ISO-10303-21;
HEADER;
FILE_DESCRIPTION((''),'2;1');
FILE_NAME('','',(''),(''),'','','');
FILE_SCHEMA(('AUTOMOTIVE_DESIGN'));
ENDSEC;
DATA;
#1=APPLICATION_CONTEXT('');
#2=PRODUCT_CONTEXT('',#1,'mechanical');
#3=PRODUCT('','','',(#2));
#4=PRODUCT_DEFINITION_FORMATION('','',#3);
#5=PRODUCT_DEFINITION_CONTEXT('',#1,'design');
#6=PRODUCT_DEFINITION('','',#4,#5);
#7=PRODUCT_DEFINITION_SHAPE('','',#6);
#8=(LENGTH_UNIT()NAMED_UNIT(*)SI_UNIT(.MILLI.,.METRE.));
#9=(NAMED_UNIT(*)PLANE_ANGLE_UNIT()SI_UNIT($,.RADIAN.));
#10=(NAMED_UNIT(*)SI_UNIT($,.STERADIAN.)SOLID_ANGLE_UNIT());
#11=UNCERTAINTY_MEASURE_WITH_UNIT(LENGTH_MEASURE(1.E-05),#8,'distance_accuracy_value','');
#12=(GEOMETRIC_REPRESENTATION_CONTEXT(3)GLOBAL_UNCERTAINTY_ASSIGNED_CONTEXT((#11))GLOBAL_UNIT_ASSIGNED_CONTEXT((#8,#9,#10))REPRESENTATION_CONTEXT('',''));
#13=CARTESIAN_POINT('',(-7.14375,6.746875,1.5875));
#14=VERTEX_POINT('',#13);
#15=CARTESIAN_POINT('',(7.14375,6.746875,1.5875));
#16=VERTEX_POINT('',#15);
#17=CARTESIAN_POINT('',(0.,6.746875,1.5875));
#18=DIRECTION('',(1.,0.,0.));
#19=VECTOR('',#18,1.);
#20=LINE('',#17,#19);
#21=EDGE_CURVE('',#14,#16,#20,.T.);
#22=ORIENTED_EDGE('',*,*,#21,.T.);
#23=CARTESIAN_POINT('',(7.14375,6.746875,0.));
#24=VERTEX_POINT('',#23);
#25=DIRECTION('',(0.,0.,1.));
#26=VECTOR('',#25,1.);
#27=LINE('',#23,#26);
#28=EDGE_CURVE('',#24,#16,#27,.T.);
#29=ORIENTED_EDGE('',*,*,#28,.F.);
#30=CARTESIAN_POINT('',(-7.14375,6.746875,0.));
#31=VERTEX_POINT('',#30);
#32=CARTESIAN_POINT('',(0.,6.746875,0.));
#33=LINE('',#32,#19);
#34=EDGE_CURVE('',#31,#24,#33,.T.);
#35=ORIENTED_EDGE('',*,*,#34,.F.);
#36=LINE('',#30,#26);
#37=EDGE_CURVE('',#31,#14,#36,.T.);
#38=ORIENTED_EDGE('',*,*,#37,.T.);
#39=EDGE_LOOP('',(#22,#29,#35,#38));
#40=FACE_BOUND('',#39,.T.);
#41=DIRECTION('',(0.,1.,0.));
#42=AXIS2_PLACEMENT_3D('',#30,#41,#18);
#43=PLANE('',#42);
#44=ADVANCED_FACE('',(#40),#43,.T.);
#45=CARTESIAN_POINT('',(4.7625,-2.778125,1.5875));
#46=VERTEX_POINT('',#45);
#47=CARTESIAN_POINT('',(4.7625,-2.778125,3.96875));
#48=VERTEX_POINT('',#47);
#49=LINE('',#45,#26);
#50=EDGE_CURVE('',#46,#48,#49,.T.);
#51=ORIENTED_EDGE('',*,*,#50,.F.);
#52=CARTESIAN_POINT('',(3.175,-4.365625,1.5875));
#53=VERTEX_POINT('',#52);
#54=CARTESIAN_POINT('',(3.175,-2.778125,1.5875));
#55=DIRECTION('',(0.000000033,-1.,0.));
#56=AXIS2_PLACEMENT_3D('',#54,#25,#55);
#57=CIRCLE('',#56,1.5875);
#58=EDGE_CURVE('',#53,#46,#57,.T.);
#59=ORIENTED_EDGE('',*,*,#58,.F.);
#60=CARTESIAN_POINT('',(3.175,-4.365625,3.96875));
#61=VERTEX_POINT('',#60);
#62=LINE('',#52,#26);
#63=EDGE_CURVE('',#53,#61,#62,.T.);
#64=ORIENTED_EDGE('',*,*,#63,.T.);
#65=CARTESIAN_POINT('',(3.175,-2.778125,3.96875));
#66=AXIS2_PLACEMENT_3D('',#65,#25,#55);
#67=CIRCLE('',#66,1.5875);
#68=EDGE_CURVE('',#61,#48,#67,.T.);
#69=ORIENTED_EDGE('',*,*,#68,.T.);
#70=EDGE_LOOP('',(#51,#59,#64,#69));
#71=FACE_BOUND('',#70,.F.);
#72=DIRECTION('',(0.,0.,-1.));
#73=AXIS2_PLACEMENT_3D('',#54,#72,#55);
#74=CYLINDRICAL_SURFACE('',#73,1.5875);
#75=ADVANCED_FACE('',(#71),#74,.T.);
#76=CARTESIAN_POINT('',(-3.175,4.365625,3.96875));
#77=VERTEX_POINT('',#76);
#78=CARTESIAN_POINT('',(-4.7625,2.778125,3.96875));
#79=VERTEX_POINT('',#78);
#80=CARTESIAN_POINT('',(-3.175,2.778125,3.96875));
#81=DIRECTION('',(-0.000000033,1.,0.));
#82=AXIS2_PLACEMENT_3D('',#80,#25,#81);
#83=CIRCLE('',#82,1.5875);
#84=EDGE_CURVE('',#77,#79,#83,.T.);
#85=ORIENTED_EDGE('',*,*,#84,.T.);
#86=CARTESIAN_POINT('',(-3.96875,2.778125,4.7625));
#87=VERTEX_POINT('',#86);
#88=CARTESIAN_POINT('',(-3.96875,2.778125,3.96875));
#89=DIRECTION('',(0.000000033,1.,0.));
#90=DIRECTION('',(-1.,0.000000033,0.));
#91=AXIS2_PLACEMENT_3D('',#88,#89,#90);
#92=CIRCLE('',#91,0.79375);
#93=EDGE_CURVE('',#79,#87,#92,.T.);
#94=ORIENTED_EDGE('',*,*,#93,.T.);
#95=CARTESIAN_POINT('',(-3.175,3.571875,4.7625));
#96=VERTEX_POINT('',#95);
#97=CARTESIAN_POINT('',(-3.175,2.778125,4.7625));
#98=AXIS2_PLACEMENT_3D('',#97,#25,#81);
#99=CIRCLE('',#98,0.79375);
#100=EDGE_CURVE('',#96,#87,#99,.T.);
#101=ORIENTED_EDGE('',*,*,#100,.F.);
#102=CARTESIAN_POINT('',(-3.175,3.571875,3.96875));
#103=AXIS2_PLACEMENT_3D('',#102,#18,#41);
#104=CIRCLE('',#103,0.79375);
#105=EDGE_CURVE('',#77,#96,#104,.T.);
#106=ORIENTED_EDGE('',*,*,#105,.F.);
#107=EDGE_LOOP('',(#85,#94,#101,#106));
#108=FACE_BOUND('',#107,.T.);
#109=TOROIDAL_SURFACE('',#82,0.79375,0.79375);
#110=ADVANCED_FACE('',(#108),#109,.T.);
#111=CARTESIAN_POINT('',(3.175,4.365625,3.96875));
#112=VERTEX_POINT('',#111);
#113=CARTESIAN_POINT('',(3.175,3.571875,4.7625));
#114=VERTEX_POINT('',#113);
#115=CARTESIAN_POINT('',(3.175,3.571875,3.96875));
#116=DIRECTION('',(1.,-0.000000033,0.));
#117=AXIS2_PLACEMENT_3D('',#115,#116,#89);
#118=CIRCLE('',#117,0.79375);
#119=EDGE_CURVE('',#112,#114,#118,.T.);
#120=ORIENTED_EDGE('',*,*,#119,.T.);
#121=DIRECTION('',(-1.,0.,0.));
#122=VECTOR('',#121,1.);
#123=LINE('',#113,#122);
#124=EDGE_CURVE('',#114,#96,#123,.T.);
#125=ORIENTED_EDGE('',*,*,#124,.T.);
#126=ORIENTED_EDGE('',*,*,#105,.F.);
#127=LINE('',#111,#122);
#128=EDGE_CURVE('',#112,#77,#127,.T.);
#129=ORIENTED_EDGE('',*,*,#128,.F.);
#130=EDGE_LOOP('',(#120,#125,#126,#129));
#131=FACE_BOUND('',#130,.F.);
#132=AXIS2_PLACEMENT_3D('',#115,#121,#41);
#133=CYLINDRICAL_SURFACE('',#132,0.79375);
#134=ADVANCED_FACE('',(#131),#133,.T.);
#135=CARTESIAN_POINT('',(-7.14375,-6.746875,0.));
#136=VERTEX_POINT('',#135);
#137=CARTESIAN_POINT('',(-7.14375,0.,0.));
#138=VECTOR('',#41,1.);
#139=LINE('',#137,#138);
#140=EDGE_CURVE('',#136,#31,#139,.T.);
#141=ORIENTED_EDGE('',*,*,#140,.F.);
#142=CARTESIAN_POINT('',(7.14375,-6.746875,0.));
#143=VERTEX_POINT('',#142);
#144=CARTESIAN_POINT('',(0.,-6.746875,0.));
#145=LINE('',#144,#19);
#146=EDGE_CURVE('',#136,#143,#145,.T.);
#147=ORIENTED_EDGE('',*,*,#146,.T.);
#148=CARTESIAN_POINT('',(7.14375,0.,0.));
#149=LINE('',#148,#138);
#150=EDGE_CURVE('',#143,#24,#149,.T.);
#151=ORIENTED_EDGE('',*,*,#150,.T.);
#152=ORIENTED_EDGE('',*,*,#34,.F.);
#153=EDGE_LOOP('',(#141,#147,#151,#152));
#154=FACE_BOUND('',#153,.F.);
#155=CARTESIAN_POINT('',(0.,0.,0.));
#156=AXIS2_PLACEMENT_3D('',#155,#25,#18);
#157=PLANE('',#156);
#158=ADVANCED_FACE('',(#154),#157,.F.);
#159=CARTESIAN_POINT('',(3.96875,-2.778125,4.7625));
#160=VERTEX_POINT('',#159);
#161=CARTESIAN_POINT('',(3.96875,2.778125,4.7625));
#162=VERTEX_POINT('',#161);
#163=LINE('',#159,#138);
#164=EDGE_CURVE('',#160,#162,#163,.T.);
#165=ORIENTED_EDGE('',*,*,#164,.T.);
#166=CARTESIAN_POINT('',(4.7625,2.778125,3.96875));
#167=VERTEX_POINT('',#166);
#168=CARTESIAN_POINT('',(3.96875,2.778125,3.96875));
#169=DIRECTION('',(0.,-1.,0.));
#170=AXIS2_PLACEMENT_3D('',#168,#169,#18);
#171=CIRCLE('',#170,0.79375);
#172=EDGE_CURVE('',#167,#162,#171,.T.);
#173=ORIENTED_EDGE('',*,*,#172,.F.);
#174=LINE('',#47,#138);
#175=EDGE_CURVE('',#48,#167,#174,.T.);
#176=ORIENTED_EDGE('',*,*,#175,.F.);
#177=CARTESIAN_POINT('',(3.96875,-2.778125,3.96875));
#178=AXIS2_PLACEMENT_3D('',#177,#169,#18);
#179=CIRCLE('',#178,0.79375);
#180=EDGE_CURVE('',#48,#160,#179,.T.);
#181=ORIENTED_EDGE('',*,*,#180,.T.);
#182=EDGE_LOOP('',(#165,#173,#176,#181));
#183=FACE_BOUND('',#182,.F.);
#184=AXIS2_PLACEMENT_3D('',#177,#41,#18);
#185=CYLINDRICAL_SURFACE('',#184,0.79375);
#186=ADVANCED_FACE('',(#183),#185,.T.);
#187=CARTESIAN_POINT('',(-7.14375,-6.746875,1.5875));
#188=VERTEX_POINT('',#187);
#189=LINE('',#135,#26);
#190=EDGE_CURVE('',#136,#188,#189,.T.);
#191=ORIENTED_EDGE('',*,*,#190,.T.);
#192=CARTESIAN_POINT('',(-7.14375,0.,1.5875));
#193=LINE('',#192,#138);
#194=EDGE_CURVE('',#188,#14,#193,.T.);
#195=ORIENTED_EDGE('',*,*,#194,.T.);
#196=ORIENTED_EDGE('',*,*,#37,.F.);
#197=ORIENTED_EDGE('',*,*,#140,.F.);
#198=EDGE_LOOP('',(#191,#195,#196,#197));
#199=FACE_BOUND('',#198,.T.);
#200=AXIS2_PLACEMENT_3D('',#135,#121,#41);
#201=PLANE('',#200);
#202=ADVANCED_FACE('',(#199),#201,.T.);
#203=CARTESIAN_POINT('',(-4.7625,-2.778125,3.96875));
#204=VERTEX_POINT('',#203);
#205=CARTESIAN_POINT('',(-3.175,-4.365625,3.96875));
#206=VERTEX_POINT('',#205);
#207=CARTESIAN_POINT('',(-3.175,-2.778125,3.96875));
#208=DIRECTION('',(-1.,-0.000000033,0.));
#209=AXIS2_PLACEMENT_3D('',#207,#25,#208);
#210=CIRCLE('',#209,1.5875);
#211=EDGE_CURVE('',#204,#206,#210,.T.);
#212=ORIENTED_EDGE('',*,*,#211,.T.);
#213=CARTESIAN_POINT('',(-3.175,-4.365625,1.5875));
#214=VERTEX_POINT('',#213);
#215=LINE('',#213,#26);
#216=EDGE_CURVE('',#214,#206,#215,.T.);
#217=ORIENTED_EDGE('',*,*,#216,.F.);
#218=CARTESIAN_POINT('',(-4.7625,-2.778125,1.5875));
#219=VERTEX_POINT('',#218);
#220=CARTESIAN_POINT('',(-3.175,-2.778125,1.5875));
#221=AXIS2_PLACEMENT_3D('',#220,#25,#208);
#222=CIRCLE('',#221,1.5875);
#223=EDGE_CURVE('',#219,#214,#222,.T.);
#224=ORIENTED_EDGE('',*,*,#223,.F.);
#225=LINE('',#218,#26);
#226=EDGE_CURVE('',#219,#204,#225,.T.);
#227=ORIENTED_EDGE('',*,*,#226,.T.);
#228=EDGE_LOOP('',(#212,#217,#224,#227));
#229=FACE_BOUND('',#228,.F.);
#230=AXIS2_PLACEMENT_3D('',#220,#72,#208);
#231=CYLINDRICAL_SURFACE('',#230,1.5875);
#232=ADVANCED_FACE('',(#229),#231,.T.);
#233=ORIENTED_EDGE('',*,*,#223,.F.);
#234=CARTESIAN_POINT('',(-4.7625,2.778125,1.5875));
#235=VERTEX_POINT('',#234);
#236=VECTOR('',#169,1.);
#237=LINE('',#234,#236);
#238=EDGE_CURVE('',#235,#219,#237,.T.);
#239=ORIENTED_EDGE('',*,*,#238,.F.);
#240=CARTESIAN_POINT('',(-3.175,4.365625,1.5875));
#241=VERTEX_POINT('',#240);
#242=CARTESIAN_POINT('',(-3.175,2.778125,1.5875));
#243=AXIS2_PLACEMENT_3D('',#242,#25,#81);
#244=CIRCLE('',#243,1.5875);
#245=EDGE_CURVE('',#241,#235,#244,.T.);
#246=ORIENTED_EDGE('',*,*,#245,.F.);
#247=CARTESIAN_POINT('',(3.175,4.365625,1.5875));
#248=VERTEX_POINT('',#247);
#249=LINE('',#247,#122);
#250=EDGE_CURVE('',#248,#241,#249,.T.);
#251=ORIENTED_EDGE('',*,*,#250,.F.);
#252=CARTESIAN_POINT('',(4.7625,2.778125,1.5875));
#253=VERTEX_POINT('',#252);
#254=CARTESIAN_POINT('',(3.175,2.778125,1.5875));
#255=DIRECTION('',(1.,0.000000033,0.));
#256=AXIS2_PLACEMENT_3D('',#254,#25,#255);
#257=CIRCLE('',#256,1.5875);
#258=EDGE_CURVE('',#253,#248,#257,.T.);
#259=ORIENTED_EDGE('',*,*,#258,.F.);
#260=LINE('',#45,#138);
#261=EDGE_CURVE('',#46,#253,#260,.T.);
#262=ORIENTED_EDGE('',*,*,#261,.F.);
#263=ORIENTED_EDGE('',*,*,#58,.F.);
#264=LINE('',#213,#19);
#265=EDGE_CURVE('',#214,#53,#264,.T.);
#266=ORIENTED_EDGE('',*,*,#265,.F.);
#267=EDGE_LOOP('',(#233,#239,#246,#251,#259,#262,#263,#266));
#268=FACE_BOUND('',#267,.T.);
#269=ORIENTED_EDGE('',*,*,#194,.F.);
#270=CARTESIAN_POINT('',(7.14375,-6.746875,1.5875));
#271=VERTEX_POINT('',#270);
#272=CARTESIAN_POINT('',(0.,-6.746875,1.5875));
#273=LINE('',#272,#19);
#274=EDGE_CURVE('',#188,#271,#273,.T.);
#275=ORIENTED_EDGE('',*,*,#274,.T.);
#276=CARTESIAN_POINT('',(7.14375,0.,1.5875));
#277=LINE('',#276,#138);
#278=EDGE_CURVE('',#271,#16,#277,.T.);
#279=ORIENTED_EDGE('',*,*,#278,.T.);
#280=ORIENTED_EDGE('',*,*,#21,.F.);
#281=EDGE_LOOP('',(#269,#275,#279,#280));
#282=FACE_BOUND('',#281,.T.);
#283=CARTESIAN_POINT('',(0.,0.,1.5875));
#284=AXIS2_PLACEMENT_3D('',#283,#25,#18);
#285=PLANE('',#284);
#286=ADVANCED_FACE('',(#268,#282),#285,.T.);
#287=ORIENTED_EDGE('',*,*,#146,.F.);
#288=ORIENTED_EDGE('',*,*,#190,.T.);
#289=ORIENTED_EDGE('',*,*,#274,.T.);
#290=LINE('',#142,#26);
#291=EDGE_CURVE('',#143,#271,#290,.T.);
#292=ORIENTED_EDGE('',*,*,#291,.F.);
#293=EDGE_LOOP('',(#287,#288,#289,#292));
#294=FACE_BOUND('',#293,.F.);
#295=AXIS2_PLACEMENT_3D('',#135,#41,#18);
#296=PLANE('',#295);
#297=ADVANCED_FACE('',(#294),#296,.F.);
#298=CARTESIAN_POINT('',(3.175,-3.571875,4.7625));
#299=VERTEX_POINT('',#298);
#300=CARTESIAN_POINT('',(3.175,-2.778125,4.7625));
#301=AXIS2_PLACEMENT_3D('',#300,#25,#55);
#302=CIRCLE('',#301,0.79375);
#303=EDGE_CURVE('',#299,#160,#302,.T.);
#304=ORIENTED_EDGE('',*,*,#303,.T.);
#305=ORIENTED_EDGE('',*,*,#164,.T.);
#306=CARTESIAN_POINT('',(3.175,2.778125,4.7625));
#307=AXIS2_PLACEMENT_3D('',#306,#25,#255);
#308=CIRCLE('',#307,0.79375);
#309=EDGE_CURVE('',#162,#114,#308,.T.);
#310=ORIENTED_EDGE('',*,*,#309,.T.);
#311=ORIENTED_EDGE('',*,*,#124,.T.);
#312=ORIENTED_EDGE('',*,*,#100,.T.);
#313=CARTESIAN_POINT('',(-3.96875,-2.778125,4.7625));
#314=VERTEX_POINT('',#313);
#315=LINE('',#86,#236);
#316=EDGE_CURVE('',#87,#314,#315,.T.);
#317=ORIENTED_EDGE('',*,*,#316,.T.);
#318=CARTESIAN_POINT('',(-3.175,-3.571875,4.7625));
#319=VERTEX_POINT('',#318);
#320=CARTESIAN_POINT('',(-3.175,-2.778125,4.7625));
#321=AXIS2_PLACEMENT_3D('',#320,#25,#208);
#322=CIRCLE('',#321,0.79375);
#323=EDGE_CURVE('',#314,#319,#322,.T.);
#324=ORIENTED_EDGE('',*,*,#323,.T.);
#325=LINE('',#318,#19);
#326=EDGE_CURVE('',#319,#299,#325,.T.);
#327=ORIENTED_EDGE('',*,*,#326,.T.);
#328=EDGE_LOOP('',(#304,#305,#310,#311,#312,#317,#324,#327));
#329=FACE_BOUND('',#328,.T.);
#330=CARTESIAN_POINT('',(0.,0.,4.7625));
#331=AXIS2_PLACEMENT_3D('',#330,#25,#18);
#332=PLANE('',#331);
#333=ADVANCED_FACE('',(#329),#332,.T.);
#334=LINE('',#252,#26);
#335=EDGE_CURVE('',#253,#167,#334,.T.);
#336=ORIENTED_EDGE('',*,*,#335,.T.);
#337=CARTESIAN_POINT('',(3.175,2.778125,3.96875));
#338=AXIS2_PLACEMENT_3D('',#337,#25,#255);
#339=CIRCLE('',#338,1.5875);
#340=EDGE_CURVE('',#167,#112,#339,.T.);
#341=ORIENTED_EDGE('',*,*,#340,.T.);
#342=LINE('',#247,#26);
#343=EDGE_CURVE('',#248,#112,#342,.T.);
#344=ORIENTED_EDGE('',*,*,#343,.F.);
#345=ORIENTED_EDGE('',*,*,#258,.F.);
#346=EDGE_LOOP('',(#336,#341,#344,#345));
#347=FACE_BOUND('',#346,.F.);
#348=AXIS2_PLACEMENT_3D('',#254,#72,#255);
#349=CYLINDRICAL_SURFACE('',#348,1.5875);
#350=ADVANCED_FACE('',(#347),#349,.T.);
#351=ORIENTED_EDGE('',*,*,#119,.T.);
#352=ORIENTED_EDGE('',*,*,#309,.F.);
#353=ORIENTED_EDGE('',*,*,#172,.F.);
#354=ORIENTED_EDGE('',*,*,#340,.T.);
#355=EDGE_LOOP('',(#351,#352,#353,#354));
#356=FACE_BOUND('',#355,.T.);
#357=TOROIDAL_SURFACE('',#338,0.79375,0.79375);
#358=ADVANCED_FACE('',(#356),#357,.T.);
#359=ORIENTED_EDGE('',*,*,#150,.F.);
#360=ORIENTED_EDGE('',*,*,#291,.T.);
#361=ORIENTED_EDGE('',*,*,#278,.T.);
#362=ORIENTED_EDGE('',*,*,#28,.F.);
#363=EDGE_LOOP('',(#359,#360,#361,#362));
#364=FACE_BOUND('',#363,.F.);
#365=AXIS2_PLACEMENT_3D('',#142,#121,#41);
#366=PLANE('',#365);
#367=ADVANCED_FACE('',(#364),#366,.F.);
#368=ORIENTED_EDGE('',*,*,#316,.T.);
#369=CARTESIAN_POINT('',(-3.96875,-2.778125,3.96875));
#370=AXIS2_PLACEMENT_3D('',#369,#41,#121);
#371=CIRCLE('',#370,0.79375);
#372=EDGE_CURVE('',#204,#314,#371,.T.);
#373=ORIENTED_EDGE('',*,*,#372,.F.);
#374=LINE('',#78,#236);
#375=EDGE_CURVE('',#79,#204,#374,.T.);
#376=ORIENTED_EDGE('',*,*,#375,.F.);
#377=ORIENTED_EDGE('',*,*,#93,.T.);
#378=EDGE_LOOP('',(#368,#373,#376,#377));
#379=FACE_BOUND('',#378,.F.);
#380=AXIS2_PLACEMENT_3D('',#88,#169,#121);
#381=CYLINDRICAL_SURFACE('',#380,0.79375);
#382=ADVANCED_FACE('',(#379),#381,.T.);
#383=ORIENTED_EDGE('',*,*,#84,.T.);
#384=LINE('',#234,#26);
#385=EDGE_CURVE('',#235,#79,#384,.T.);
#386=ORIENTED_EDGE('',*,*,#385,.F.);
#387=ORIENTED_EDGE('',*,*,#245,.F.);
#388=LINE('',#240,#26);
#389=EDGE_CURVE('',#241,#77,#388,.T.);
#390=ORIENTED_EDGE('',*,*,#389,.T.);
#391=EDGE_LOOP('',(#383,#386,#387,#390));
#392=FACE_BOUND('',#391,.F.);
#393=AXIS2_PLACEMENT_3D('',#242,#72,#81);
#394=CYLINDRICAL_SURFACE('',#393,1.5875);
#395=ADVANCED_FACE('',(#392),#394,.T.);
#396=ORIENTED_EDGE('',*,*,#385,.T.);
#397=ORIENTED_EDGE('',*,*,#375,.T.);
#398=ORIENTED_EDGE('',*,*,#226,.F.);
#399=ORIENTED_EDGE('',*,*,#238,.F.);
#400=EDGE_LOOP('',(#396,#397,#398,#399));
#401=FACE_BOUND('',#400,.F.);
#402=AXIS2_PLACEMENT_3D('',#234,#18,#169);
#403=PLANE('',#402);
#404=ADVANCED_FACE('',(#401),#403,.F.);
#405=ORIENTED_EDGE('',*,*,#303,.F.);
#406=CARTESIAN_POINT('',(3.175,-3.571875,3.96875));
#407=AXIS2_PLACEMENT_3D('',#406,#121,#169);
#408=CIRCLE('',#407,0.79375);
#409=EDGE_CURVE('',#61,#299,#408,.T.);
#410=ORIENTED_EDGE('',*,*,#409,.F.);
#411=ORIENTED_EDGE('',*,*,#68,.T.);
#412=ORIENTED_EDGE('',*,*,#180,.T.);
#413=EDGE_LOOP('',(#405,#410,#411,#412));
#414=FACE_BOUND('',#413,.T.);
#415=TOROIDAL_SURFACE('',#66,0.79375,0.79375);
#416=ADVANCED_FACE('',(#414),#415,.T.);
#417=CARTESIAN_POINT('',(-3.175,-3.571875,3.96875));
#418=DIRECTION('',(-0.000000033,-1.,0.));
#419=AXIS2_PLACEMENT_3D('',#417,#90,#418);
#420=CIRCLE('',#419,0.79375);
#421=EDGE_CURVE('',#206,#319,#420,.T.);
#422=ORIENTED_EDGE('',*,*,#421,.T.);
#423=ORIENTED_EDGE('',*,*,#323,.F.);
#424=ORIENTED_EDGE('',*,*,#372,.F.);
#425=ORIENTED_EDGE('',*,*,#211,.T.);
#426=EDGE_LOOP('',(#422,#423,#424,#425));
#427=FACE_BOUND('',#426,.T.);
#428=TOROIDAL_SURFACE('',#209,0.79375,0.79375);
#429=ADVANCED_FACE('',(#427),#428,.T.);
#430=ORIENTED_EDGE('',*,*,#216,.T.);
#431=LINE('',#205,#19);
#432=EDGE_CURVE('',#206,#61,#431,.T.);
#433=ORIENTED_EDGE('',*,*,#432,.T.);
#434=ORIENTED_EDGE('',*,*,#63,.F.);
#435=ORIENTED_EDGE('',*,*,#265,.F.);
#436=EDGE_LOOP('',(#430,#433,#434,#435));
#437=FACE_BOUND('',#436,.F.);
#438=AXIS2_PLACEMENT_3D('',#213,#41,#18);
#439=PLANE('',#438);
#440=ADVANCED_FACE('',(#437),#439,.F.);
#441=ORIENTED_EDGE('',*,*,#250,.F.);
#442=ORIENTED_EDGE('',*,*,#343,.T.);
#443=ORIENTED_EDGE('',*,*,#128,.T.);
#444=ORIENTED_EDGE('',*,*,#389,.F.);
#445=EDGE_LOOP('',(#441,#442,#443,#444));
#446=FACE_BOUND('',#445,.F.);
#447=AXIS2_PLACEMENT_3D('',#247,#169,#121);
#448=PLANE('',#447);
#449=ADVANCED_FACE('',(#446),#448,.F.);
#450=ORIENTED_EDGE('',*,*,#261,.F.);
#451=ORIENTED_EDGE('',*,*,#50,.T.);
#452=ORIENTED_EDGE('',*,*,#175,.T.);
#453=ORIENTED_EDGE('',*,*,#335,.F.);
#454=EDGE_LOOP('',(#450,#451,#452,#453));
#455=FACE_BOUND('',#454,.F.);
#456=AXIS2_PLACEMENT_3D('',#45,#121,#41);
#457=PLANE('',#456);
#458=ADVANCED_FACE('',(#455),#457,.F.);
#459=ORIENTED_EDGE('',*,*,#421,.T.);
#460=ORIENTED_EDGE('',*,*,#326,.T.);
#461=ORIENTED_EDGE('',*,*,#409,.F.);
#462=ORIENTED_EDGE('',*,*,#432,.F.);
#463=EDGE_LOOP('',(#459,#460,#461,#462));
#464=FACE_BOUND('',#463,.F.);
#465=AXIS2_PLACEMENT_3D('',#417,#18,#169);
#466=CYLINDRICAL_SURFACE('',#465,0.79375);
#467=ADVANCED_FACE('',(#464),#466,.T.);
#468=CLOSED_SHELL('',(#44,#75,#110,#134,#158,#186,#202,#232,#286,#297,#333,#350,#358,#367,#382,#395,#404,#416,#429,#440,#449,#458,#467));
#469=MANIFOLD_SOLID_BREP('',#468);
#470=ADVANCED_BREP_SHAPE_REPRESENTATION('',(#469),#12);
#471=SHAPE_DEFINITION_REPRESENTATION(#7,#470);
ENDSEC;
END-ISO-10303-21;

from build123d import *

# Parameters (mm, degrees)
F0_W     = 14.2875
F0_H     = 13.49375
F1_DEPTH = 1.5875
F3_DEPTH = 3.175
F4_R     = 0.79375


with BuildPart() as f1:
    # F0 (on Top) → F1 (new body)
    with BuildSketch(Plane.XY):
        Rectangle(F0_W, F0_H)
        with BuildLine():
            ThreePointArc((4.7625, -2.778125), (4.297532, -3.900657), (3.175, -4.365625))
            Line((3.175, -4.365625), (-3.175, -4.365625))
            ThreePointArc((-3.175, -4.365625), (-4.297532, -3.900657), (-4.7625, -2.778125))
            Line((-4.7625, -2.778125), (-4.7625, 2.778125))
            ThreePointArc((-4.7625, 2.778125), (-4.297532, 3.900657), (-3.175, 4.365625))
            Line((-3.175, 4.365625), (3.175, 4.365625))
            ThreePointArc((3.175, 4.365625), (4.297532, 3.900657), (4.7625, 2.778125))
            Line((4.7625, 2.778125), (4.7625, -2.778125))
        make_face(mode=Mode.SUBTRACT)
        with BuildLine():
            Line((-3.175, -4.365625), (3.175, -4.365625))
            ThreePointArc((3.175, -4.365625), (4.297532, -3.900657), (4.7625, -2.778125))
            Line((4.7625, -2.778125), (4.7625, 2.778125))
            ThreePointArc((4.7625, 2.778125), (4.297532, 3.900657), (3.175, 4.365625))
            Line((3.175, 4.365625), (-3.175, 4.365625))
            ThreePointArc((-3.175, 4.365625), (-4.297532, 3.900657), (-4.7625, 2.778125))
            Line((-4.7625, 2.778125), (-4.7625, -2.778125))
            ThreePointArc((-4.7625, -2.778125), (-4.297532, -3.900657), (-3.175, -4.365625))
        make_face()
    extrude(amount=F1_DEPTH)

    # F2 (on face) → F3 (join)
    with BuildSketch(Plane.XY.offset(1.5875)):
        with BuildLine():
            ThreePointArc((4.7625, 2.778125), (4.297532, 3.900657), (3.175, 4.365625))
            Line((3.175, 4.365625), (-3.175, 4.365625))
            ThreePointArc((-3.175, 4.365625), (-4.297532, 3.900657), (-4.7625, 2.778125))
            Line((-4.7625, 2.778125), (-4.7625, -2.778125))
            ThreePointArc((-4.7625, -2.778125), (-4.297532, -3.900657), (-3.175, -4.365625))
            Line((-3.175, -4.365625), (3.175, -4.365625))
            ThreePointArc((3.175, -4.365625), (4.297532, -3.900657), (4.7625, -2.778125))
            Line((4.7625, -2.778125), (4.7625, 2.778125))
        make_face()
    extrude(amount=F3_DEPTH)

    # F4
    f4_edges = [f1.edges().sort_by_distance(p)[0] for p in [
        (4.7625, 0, 4.7625),
    ]]
    fillet(f4_edges, radius=F4_R)


solid = f1.part
